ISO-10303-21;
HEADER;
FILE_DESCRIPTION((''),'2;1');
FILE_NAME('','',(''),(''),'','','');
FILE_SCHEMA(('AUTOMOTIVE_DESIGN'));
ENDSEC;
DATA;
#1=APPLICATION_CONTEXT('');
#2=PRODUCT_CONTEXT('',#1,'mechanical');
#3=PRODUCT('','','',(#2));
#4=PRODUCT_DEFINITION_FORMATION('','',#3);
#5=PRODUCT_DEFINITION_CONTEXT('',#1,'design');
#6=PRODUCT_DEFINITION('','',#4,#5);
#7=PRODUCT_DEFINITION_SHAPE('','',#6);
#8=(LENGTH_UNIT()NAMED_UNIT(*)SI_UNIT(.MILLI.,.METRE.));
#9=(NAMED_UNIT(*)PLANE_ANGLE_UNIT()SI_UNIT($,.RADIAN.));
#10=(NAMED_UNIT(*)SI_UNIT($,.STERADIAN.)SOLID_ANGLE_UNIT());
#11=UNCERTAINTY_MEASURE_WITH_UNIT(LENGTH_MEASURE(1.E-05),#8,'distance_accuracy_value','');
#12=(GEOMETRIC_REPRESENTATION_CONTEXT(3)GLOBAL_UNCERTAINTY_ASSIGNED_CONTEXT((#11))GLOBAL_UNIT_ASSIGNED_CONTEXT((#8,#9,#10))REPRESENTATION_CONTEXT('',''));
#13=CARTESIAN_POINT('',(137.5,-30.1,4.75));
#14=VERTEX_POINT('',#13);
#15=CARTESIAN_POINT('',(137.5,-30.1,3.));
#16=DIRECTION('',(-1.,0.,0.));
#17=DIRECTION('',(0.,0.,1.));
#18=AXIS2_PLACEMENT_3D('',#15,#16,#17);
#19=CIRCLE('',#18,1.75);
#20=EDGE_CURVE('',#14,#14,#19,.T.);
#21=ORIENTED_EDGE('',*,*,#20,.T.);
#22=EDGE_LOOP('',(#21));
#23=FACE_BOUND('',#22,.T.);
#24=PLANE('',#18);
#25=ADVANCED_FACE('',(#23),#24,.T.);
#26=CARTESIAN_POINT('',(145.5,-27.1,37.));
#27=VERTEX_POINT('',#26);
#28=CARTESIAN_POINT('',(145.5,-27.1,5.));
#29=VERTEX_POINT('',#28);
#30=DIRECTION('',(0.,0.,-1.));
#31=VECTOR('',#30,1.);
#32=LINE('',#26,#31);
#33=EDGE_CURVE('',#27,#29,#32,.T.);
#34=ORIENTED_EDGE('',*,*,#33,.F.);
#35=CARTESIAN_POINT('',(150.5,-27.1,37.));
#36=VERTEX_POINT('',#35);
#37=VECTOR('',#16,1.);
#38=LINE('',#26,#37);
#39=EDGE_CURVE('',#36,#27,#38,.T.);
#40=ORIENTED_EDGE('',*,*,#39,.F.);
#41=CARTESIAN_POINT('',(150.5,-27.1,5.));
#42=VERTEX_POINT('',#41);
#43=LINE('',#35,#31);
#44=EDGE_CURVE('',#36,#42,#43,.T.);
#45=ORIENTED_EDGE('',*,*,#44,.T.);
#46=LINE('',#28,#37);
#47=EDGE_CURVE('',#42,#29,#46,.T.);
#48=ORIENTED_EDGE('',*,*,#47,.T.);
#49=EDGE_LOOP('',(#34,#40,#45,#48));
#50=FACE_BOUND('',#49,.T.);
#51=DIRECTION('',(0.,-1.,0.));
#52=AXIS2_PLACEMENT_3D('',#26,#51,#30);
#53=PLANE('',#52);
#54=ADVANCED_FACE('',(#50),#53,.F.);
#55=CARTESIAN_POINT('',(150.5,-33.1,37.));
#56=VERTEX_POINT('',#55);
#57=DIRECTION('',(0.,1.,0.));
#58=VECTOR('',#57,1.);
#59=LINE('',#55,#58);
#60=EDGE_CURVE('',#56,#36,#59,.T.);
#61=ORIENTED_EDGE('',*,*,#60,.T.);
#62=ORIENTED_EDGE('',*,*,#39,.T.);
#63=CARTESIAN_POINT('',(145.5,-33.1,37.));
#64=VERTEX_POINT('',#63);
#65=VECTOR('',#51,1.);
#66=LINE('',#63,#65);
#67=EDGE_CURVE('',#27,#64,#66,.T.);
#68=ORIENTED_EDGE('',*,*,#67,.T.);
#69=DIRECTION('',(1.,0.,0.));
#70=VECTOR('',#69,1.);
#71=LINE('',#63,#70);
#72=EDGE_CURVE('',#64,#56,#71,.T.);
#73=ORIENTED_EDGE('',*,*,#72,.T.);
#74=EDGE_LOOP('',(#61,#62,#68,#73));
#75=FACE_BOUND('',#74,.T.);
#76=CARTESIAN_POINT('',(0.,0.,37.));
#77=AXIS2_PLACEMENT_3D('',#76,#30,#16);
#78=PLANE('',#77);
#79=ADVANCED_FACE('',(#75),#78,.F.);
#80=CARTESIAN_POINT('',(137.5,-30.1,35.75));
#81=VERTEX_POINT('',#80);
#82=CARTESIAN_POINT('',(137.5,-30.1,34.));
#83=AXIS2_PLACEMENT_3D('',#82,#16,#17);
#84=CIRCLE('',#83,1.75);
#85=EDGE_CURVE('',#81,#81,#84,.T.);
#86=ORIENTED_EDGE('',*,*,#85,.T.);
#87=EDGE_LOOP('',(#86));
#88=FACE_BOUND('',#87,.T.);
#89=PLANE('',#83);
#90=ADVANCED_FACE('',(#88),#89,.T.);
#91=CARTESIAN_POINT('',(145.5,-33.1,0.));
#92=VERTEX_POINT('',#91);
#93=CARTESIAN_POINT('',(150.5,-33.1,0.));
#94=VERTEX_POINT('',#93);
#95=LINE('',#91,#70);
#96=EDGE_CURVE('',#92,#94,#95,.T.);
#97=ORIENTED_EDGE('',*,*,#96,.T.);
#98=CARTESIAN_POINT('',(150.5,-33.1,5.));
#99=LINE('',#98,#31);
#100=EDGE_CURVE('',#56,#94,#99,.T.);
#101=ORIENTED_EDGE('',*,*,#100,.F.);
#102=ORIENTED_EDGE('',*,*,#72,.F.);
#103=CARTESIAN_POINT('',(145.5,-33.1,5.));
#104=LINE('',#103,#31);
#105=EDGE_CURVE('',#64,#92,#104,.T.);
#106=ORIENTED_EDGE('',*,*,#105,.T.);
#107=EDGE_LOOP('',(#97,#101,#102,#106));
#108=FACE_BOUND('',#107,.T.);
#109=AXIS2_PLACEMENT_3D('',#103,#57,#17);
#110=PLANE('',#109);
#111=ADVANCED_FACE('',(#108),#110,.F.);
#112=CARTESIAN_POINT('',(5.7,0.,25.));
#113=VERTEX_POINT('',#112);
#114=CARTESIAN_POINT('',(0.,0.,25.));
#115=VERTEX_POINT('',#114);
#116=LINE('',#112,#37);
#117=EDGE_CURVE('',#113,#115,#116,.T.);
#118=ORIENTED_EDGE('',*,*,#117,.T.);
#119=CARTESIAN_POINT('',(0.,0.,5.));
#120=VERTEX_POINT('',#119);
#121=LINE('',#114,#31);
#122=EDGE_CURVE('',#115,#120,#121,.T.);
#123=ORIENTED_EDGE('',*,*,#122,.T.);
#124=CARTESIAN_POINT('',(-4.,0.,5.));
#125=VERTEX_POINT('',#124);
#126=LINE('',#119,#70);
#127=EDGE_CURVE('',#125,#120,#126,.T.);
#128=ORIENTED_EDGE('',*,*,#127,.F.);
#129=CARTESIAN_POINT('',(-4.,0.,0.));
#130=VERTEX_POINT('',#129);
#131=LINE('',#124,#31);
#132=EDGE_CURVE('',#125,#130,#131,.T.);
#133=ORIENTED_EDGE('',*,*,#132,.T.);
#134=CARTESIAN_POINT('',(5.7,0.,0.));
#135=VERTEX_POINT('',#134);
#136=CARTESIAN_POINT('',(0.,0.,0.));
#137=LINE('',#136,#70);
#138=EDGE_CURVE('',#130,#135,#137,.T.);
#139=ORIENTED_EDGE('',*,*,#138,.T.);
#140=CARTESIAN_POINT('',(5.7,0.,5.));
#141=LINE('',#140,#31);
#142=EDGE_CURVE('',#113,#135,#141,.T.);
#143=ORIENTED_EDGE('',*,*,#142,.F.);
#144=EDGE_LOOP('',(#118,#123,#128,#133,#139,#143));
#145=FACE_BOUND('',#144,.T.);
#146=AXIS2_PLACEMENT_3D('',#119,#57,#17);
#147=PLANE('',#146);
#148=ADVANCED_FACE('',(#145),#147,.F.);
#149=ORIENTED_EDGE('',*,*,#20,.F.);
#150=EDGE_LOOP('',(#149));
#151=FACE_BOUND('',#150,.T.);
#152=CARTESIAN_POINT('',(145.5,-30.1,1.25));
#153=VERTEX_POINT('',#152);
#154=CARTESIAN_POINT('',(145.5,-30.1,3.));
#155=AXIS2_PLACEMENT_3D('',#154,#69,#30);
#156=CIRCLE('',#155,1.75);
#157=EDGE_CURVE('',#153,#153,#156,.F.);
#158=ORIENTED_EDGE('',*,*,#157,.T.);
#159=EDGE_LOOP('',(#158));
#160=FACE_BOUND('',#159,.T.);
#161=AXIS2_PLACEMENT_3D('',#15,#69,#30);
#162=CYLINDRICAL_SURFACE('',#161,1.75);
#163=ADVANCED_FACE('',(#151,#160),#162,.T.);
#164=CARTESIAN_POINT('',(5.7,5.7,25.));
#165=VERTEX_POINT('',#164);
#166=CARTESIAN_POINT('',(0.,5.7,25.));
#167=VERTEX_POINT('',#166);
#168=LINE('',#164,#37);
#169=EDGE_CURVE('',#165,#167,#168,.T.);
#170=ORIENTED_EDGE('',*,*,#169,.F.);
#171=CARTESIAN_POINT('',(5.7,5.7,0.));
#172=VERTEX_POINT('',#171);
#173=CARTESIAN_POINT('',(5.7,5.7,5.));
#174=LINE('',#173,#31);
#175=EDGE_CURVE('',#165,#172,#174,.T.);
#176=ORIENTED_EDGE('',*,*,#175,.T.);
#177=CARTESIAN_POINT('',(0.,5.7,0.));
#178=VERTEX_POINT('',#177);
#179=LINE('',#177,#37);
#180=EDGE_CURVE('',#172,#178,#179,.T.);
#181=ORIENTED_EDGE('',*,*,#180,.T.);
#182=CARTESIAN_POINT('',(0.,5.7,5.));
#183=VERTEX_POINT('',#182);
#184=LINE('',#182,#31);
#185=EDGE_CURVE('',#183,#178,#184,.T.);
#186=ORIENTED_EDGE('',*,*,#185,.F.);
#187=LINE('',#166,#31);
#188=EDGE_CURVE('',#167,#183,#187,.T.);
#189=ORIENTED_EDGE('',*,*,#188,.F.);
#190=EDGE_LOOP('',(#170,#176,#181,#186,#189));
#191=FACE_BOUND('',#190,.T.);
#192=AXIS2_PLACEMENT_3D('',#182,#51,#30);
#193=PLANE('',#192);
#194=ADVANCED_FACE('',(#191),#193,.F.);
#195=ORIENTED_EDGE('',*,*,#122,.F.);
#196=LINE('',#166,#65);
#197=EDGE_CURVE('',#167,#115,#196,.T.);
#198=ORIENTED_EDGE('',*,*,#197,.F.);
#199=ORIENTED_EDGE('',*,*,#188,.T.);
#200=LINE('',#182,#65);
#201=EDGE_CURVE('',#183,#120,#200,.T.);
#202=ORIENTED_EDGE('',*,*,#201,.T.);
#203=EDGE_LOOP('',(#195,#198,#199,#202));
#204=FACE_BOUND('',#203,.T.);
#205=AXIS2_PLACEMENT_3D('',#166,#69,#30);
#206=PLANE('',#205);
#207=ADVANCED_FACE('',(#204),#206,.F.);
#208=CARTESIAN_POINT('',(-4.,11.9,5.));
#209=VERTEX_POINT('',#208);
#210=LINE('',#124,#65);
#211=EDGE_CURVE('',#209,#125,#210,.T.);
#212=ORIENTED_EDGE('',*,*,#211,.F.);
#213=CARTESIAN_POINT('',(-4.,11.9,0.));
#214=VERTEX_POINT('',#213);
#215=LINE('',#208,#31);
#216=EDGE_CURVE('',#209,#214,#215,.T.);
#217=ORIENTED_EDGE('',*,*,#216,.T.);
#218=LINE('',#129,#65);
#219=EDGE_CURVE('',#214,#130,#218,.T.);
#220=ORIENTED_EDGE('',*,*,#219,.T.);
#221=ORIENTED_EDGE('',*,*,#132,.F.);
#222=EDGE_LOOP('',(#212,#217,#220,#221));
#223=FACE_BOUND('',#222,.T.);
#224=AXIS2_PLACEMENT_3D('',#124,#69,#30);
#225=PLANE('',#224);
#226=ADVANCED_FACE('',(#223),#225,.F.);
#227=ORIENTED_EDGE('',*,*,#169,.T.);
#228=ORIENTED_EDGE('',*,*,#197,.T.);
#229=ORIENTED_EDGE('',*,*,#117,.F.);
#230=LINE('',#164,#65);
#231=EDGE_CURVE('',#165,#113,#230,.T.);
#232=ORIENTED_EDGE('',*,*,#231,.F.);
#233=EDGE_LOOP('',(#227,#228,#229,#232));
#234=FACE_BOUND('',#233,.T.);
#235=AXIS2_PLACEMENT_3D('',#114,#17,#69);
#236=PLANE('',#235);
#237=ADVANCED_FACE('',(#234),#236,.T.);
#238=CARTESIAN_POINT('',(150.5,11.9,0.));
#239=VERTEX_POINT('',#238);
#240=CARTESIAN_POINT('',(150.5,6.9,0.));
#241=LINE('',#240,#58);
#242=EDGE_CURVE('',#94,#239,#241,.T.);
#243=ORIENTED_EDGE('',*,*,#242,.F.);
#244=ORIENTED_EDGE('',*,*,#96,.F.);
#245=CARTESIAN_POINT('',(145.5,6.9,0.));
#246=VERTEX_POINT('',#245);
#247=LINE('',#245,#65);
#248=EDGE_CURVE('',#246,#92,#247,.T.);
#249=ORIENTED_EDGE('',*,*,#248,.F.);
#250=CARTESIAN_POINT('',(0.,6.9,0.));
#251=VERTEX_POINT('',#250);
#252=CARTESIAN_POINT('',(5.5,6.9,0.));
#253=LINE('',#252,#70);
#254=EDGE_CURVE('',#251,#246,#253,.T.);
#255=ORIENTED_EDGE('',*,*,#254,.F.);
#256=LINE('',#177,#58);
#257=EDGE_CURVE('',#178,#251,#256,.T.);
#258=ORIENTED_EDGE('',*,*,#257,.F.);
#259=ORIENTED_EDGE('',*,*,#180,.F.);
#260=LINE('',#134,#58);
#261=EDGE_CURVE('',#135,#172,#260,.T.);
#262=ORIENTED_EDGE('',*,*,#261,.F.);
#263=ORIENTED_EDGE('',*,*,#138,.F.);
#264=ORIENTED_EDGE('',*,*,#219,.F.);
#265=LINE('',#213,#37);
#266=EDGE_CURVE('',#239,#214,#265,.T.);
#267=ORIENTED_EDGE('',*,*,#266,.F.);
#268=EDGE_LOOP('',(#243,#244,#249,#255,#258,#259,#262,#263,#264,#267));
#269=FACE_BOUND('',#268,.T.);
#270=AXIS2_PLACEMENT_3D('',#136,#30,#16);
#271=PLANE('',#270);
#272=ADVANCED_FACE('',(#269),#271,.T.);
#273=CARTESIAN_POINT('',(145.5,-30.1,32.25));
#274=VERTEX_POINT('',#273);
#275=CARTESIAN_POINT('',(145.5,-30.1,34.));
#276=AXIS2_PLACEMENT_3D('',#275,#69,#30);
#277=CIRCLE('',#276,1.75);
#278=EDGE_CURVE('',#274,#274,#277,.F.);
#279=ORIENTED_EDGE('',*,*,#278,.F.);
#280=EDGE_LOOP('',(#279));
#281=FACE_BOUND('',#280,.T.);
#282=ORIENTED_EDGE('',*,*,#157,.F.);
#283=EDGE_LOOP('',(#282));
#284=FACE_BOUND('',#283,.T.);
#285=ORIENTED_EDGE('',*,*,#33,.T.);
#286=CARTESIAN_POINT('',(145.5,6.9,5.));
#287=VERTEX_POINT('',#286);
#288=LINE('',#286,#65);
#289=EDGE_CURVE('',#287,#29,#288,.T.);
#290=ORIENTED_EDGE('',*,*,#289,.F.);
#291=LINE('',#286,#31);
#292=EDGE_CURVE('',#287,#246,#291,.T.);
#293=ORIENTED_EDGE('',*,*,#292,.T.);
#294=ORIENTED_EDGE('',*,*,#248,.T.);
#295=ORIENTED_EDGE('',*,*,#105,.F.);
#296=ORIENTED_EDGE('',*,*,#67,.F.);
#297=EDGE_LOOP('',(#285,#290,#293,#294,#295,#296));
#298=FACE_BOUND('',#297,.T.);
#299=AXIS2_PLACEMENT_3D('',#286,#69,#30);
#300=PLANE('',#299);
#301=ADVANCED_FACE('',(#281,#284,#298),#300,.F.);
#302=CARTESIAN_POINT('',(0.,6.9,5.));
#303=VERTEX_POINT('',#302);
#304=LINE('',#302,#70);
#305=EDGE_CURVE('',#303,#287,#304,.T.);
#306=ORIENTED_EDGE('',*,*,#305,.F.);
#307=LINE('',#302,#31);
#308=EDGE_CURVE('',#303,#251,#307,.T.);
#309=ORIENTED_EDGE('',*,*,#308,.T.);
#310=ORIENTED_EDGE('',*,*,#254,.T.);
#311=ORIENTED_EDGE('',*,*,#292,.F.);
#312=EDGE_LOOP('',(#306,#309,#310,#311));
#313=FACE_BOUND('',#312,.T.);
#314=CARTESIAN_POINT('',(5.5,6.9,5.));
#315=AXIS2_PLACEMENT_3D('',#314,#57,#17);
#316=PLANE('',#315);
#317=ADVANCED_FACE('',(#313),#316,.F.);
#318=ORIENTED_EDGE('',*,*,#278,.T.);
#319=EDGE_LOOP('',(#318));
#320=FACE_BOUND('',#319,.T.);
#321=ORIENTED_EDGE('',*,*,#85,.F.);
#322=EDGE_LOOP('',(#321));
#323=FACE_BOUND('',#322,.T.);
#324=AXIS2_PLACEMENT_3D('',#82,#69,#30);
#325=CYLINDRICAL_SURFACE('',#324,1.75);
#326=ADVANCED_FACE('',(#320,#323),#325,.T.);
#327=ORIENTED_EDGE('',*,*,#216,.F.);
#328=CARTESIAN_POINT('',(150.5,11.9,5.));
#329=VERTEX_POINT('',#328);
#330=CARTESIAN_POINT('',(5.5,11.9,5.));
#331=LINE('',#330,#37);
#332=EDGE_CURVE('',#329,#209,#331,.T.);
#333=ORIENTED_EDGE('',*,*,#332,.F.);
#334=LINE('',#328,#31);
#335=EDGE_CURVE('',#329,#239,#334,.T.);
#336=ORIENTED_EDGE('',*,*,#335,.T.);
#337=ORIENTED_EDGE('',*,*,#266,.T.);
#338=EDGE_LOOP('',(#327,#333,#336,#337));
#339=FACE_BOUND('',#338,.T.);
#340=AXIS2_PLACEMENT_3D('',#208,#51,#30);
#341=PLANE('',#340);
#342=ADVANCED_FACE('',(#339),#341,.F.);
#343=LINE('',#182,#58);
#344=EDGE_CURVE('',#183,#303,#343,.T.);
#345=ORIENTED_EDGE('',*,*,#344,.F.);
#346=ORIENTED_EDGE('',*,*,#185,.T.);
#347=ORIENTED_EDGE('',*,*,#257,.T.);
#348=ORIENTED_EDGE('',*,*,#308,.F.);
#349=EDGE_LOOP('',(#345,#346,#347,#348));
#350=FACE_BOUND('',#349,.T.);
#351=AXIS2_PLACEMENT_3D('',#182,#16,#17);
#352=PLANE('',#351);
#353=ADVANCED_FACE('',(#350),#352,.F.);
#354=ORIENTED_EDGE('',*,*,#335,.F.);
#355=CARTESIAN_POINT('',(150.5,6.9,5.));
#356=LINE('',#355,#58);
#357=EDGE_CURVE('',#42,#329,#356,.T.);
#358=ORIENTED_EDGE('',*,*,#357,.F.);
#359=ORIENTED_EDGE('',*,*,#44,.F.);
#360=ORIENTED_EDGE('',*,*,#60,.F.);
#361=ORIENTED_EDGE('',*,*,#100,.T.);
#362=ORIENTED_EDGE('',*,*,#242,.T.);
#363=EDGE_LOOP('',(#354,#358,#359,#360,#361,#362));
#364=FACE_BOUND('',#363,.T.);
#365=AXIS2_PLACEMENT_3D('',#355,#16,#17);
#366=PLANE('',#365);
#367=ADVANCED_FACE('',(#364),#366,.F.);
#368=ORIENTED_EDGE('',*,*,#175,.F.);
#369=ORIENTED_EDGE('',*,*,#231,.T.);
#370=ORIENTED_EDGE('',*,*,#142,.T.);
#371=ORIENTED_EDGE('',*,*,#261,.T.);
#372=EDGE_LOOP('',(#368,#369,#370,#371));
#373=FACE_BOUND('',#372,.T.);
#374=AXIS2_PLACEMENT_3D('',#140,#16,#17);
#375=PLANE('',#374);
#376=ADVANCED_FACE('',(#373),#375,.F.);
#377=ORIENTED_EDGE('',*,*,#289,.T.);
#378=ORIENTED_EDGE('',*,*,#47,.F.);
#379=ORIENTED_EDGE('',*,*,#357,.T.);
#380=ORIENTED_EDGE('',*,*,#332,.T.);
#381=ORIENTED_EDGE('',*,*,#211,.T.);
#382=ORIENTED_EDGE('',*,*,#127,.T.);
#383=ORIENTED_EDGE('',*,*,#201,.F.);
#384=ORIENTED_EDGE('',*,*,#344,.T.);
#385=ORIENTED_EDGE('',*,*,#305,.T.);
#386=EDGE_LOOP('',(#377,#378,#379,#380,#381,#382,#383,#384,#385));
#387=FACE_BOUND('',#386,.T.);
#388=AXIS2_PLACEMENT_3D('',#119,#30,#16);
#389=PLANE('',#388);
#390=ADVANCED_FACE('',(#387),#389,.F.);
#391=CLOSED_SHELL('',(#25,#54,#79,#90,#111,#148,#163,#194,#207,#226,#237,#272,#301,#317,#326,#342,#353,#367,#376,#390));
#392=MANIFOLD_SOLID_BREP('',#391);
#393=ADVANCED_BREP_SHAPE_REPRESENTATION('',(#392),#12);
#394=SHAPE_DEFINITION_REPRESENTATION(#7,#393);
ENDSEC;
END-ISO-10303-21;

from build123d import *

# Parameters (mm, degrees)
BOSS_EXTRUDE1_DEPTH = 5
SKETCH2_W           = 5.7
SKETCH2_H           = 5.7
BOSS_EXTRUDE2_DEPTH = 20
SKETCH3_W           = 5
SKETCH3_H           = 6
BOSS_EXTRUDE3_DEPTH = 32
SKETCH4_R           = 1.75
BOSS_EXTRUDE4_DEPTH = 8


with BuildPart() as part:
    # Sketch1 → Boss-Extrude1 (new body)
    with BuildSketch(Plane.XY):
        Polygon((0, 5.7), (0, 6.9), (5.5, 6.9), (145.5, 6.9), (145.5, -33.1), (150.5, -33.1), (150.5, 6.9), (150.5, 11.9), (5.5, 11.9), (-4, 11.9), (-4, 0), (0, 0), (5.7, 0), (5.7, 5.7), align=None)
    extrude(amount=BOSS_EXTRUDE1_DEPTH)

    # Sketch2 → Boss-Extrude2 (add)
    with BuildSketch(Plane.XY.offset(5)):
        with Locations((2.85, 2.85)):
            Rectangle(SKETCH2_W, SKETCH2_H)
    extrude(amount=BOSS_EXTRUDE2_DEPTH)

    # Sketch3 → Boss-Extrude3 (add)
    with BuildSketch(Plane.XY.offset(5)):
        with Locations((148, -30.1)):
            Rectangle(SKETCH3_W, SKETCH3_H)
    extrude(amount=BOSS_EXTRUDE3_DEPTH)

    # Sketch4 → Boss-Extrude4 (add)
    with BuildSketch(Plane.ZY.offset(-145.5)):
        with Locations(Location((3, -30.1, 0), (0, 0, 180))):
            Circle(SKETCH4_R)
        with Locations(Location((34, -30.1, 0), (0, 0, 180))):
            Circle(SKETCH4_R)
    extrude(amount=BOSS_EXTRUDE4_DEPTH)


solid = part.part
